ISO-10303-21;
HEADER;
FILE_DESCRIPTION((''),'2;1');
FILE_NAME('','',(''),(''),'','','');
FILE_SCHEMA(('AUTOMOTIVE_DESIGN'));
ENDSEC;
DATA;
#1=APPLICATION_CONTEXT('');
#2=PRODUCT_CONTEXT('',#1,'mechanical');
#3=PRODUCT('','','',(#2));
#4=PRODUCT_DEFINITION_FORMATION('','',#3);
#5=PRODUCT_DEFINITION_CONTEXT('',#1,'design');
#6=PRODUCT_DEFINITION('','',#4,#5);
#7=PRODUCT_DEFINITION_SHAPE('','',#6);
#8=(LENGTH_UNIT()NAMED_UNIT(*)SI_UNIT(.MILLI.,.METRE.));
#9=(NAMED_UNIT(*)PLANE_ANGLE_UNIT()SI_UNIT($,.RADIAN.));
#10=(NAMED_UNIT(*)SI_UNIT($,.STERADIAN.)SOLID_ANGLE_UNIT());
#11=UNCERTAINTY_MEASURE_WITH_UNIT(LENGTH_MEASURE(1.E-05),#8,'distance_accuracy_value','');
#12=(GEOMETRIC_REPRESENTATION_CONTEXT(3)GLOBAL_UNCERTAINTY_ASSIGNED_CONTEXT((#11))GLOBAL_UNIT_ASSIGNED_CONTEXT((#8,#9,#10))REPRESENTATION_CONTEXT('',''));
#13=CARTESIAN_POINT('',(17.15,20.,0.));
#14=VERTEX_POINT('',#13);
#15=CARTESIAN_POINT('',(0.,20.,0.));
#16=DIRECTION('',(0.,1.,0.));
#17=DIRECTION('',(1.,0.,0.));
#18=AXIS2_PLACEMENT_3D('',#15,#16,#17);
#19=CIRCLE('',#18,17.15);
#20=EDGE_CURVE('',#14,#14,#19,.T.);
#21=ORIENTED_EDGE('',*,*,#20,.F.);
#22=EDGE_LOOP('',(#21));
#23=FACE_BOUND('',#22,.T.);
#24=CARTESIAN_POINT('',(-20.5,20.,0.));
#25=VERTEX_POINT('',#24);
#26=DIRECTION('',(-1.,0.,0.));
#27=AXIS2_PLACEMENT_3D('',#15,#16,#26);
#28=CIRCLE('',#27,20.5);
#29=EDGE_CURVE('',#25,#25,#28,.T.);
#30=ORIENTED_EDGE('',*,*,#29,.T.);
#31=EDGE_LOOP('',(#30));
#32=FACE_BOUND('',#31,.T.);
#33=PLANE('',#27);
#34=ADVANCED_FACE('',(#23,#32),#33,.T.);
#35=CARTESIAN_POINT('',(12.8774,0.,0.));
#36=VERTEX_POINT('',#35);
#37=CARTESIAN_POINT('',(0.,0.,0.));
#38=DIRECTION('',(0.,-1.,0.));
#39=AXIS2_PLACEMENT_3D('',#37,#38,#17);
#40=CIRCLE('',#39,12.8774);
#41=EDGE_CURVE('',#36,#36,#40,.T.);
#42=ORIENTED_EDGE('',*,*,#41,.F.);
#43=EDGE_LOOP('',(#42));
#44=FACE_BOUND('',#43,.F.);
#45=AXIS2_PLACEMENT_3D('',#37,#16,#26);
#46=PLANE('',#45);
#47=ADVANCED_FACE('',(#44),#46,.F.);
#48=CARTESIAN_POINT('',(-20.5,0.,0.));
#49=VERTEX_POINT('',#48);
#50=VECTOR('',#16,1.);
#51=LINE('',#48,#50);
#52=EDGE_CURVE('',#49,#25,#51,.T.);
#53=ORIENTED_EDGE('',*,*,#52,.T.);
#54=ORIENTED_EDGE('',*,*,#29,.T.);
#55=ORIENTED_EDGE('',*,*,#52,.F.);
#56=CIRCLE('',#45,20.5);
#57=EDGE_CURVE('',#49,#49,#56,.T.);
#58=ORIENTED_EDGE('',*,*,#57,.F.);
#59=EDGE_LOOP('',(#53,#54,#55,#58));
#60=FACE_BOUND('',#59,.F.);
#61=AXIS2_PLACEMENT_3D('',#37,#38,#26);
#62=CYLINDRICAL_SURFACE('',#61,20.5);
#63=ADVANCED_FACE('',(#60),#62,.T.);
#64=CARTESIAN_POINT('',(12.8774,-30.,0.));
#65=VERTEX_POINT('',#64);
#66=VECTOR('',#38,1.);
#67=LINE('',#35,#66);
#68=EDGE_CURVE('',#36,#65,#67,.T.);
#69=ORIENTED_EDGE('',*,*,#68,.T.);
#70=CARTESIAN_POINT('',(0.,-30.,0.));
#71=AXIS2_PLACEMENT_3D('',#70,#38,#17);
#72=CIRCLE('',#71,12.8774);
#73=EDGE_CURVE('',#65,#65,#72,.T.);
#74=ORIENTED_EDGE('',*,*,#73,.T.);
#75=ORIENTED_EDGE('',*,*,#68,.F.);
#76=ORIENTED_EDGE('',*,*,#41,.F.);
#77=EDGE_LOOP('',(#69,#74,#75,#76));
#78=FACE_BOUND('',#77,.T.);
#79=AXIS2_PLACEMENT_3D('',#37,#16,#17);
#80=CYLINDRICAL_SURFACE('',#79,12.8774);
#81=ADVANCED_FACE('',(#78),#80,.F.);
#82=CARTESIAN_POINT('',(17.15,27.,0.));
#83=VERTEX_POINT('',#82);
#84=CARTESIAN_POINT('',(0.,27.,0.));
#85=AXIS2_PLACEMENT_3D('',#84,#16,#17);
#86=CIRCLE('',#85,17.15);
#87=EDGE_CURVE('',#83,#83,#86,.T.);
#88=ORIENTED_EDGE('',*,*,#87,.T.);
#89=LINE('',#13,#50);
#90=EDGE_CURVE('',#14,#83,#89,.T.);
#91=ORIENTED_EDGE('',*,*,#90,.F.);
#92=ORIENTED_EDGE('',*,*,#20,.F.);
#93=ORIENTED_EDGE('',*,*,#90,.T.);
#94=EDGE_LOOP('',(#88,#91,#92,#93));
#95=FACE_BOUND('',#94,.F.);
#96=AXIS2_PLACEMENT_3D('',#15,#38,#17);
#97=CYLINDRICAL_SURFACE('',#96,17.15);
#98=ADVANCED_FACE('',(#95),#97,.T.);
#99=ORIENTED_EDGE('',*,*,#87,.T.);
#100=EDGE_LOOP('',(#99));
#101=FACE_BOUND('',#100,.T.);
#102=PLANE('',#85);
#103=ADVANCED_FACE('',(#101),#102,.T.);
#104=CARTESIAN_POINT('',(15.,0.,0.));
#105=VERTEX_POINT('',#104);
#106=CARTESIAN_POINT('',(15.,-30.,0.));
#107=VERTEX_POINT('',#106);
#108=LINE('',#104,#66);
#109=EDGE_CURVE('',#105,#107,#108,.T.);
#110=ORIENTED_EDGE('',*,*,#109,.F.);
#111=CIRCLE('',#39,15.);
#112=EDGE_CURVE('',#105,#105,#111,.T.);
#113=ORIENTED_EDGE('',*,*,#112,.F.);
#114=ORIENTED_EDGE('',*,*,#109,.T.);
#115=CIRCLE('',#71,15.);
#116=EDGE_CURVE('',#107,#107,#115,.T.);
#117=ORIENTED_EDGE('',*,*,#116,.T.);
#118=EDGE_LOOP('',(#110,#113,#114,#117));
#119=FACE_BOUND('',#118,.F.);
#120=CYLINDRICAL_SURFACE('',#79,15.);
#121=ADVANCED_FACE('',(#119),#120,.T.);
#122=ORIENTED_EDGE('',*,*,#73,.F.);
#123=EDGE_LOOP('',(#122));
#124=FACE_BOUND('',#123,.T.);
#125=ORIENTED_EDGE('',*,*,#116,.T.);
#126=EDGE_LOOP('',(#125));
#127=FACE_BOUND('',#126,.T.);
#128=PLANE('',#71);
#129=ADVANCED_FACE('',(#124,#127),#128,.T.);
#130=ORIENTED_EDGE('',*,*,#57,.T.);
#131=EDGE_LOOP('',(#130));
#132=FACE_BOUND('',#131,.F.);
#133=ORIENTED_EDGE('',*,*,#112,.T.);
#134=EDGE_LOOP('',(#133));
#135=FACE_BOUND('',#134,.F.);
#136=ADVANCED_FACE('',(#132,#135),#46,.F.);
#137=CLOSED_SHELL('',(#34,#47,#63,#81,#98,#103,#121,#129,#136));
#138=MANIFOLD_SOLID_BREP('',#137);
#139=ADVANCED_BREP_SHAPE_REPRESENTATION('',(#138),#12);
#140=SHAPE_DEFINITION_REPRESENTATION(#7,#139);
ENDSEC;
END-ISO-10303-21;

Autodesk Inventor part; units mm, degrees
ref_plane "YZ Plane" through (0, 0, 0) normal (1, 0, 0) x (0, 1, 0)
ref_plane "XZ Plane" through (0, 0, 0) normal (0, 1, 0) x (-1, 0, 0)
ref_plane "XY Plane" through (0, 0, 0) normal (0, 0, 1) x (1, 0, 0)
sketch "Sketch1" plane through (0, 0, 0) normal (0, 1, 0) x (-1, 0, 0)
  circle A0 centre (0, 0) radius 20.5
  dimension "d0" = 41
extrude "Extrusion1" add sketch "Sketch1" along normal blind 20
sketch "Sketch2" plane through (0, 20, 0) normal (0, 1, 0) x (1, 0, 0)
  circle A0 centre (0, 0) radius 20.5 projected
  circle A1 centre (0, 0) radius 17.15
  dimension "d3" = 34.3
extrude "Extrusion2" add sketch "Sketch2" along normal blind 7 contours A1
sketch "Sketch3" plane through (0, 0, 0) normal (0, -1, 0) x (1, 0, 0)
  circle A0 centre (0, 0) radius 15
  circle A1 centre (0, 0) radius 12.8774
  dimension "d6" = 30
extrude "Extrusion3" add sketch "Sketch3" along normal blind 30
properties part number "100"
